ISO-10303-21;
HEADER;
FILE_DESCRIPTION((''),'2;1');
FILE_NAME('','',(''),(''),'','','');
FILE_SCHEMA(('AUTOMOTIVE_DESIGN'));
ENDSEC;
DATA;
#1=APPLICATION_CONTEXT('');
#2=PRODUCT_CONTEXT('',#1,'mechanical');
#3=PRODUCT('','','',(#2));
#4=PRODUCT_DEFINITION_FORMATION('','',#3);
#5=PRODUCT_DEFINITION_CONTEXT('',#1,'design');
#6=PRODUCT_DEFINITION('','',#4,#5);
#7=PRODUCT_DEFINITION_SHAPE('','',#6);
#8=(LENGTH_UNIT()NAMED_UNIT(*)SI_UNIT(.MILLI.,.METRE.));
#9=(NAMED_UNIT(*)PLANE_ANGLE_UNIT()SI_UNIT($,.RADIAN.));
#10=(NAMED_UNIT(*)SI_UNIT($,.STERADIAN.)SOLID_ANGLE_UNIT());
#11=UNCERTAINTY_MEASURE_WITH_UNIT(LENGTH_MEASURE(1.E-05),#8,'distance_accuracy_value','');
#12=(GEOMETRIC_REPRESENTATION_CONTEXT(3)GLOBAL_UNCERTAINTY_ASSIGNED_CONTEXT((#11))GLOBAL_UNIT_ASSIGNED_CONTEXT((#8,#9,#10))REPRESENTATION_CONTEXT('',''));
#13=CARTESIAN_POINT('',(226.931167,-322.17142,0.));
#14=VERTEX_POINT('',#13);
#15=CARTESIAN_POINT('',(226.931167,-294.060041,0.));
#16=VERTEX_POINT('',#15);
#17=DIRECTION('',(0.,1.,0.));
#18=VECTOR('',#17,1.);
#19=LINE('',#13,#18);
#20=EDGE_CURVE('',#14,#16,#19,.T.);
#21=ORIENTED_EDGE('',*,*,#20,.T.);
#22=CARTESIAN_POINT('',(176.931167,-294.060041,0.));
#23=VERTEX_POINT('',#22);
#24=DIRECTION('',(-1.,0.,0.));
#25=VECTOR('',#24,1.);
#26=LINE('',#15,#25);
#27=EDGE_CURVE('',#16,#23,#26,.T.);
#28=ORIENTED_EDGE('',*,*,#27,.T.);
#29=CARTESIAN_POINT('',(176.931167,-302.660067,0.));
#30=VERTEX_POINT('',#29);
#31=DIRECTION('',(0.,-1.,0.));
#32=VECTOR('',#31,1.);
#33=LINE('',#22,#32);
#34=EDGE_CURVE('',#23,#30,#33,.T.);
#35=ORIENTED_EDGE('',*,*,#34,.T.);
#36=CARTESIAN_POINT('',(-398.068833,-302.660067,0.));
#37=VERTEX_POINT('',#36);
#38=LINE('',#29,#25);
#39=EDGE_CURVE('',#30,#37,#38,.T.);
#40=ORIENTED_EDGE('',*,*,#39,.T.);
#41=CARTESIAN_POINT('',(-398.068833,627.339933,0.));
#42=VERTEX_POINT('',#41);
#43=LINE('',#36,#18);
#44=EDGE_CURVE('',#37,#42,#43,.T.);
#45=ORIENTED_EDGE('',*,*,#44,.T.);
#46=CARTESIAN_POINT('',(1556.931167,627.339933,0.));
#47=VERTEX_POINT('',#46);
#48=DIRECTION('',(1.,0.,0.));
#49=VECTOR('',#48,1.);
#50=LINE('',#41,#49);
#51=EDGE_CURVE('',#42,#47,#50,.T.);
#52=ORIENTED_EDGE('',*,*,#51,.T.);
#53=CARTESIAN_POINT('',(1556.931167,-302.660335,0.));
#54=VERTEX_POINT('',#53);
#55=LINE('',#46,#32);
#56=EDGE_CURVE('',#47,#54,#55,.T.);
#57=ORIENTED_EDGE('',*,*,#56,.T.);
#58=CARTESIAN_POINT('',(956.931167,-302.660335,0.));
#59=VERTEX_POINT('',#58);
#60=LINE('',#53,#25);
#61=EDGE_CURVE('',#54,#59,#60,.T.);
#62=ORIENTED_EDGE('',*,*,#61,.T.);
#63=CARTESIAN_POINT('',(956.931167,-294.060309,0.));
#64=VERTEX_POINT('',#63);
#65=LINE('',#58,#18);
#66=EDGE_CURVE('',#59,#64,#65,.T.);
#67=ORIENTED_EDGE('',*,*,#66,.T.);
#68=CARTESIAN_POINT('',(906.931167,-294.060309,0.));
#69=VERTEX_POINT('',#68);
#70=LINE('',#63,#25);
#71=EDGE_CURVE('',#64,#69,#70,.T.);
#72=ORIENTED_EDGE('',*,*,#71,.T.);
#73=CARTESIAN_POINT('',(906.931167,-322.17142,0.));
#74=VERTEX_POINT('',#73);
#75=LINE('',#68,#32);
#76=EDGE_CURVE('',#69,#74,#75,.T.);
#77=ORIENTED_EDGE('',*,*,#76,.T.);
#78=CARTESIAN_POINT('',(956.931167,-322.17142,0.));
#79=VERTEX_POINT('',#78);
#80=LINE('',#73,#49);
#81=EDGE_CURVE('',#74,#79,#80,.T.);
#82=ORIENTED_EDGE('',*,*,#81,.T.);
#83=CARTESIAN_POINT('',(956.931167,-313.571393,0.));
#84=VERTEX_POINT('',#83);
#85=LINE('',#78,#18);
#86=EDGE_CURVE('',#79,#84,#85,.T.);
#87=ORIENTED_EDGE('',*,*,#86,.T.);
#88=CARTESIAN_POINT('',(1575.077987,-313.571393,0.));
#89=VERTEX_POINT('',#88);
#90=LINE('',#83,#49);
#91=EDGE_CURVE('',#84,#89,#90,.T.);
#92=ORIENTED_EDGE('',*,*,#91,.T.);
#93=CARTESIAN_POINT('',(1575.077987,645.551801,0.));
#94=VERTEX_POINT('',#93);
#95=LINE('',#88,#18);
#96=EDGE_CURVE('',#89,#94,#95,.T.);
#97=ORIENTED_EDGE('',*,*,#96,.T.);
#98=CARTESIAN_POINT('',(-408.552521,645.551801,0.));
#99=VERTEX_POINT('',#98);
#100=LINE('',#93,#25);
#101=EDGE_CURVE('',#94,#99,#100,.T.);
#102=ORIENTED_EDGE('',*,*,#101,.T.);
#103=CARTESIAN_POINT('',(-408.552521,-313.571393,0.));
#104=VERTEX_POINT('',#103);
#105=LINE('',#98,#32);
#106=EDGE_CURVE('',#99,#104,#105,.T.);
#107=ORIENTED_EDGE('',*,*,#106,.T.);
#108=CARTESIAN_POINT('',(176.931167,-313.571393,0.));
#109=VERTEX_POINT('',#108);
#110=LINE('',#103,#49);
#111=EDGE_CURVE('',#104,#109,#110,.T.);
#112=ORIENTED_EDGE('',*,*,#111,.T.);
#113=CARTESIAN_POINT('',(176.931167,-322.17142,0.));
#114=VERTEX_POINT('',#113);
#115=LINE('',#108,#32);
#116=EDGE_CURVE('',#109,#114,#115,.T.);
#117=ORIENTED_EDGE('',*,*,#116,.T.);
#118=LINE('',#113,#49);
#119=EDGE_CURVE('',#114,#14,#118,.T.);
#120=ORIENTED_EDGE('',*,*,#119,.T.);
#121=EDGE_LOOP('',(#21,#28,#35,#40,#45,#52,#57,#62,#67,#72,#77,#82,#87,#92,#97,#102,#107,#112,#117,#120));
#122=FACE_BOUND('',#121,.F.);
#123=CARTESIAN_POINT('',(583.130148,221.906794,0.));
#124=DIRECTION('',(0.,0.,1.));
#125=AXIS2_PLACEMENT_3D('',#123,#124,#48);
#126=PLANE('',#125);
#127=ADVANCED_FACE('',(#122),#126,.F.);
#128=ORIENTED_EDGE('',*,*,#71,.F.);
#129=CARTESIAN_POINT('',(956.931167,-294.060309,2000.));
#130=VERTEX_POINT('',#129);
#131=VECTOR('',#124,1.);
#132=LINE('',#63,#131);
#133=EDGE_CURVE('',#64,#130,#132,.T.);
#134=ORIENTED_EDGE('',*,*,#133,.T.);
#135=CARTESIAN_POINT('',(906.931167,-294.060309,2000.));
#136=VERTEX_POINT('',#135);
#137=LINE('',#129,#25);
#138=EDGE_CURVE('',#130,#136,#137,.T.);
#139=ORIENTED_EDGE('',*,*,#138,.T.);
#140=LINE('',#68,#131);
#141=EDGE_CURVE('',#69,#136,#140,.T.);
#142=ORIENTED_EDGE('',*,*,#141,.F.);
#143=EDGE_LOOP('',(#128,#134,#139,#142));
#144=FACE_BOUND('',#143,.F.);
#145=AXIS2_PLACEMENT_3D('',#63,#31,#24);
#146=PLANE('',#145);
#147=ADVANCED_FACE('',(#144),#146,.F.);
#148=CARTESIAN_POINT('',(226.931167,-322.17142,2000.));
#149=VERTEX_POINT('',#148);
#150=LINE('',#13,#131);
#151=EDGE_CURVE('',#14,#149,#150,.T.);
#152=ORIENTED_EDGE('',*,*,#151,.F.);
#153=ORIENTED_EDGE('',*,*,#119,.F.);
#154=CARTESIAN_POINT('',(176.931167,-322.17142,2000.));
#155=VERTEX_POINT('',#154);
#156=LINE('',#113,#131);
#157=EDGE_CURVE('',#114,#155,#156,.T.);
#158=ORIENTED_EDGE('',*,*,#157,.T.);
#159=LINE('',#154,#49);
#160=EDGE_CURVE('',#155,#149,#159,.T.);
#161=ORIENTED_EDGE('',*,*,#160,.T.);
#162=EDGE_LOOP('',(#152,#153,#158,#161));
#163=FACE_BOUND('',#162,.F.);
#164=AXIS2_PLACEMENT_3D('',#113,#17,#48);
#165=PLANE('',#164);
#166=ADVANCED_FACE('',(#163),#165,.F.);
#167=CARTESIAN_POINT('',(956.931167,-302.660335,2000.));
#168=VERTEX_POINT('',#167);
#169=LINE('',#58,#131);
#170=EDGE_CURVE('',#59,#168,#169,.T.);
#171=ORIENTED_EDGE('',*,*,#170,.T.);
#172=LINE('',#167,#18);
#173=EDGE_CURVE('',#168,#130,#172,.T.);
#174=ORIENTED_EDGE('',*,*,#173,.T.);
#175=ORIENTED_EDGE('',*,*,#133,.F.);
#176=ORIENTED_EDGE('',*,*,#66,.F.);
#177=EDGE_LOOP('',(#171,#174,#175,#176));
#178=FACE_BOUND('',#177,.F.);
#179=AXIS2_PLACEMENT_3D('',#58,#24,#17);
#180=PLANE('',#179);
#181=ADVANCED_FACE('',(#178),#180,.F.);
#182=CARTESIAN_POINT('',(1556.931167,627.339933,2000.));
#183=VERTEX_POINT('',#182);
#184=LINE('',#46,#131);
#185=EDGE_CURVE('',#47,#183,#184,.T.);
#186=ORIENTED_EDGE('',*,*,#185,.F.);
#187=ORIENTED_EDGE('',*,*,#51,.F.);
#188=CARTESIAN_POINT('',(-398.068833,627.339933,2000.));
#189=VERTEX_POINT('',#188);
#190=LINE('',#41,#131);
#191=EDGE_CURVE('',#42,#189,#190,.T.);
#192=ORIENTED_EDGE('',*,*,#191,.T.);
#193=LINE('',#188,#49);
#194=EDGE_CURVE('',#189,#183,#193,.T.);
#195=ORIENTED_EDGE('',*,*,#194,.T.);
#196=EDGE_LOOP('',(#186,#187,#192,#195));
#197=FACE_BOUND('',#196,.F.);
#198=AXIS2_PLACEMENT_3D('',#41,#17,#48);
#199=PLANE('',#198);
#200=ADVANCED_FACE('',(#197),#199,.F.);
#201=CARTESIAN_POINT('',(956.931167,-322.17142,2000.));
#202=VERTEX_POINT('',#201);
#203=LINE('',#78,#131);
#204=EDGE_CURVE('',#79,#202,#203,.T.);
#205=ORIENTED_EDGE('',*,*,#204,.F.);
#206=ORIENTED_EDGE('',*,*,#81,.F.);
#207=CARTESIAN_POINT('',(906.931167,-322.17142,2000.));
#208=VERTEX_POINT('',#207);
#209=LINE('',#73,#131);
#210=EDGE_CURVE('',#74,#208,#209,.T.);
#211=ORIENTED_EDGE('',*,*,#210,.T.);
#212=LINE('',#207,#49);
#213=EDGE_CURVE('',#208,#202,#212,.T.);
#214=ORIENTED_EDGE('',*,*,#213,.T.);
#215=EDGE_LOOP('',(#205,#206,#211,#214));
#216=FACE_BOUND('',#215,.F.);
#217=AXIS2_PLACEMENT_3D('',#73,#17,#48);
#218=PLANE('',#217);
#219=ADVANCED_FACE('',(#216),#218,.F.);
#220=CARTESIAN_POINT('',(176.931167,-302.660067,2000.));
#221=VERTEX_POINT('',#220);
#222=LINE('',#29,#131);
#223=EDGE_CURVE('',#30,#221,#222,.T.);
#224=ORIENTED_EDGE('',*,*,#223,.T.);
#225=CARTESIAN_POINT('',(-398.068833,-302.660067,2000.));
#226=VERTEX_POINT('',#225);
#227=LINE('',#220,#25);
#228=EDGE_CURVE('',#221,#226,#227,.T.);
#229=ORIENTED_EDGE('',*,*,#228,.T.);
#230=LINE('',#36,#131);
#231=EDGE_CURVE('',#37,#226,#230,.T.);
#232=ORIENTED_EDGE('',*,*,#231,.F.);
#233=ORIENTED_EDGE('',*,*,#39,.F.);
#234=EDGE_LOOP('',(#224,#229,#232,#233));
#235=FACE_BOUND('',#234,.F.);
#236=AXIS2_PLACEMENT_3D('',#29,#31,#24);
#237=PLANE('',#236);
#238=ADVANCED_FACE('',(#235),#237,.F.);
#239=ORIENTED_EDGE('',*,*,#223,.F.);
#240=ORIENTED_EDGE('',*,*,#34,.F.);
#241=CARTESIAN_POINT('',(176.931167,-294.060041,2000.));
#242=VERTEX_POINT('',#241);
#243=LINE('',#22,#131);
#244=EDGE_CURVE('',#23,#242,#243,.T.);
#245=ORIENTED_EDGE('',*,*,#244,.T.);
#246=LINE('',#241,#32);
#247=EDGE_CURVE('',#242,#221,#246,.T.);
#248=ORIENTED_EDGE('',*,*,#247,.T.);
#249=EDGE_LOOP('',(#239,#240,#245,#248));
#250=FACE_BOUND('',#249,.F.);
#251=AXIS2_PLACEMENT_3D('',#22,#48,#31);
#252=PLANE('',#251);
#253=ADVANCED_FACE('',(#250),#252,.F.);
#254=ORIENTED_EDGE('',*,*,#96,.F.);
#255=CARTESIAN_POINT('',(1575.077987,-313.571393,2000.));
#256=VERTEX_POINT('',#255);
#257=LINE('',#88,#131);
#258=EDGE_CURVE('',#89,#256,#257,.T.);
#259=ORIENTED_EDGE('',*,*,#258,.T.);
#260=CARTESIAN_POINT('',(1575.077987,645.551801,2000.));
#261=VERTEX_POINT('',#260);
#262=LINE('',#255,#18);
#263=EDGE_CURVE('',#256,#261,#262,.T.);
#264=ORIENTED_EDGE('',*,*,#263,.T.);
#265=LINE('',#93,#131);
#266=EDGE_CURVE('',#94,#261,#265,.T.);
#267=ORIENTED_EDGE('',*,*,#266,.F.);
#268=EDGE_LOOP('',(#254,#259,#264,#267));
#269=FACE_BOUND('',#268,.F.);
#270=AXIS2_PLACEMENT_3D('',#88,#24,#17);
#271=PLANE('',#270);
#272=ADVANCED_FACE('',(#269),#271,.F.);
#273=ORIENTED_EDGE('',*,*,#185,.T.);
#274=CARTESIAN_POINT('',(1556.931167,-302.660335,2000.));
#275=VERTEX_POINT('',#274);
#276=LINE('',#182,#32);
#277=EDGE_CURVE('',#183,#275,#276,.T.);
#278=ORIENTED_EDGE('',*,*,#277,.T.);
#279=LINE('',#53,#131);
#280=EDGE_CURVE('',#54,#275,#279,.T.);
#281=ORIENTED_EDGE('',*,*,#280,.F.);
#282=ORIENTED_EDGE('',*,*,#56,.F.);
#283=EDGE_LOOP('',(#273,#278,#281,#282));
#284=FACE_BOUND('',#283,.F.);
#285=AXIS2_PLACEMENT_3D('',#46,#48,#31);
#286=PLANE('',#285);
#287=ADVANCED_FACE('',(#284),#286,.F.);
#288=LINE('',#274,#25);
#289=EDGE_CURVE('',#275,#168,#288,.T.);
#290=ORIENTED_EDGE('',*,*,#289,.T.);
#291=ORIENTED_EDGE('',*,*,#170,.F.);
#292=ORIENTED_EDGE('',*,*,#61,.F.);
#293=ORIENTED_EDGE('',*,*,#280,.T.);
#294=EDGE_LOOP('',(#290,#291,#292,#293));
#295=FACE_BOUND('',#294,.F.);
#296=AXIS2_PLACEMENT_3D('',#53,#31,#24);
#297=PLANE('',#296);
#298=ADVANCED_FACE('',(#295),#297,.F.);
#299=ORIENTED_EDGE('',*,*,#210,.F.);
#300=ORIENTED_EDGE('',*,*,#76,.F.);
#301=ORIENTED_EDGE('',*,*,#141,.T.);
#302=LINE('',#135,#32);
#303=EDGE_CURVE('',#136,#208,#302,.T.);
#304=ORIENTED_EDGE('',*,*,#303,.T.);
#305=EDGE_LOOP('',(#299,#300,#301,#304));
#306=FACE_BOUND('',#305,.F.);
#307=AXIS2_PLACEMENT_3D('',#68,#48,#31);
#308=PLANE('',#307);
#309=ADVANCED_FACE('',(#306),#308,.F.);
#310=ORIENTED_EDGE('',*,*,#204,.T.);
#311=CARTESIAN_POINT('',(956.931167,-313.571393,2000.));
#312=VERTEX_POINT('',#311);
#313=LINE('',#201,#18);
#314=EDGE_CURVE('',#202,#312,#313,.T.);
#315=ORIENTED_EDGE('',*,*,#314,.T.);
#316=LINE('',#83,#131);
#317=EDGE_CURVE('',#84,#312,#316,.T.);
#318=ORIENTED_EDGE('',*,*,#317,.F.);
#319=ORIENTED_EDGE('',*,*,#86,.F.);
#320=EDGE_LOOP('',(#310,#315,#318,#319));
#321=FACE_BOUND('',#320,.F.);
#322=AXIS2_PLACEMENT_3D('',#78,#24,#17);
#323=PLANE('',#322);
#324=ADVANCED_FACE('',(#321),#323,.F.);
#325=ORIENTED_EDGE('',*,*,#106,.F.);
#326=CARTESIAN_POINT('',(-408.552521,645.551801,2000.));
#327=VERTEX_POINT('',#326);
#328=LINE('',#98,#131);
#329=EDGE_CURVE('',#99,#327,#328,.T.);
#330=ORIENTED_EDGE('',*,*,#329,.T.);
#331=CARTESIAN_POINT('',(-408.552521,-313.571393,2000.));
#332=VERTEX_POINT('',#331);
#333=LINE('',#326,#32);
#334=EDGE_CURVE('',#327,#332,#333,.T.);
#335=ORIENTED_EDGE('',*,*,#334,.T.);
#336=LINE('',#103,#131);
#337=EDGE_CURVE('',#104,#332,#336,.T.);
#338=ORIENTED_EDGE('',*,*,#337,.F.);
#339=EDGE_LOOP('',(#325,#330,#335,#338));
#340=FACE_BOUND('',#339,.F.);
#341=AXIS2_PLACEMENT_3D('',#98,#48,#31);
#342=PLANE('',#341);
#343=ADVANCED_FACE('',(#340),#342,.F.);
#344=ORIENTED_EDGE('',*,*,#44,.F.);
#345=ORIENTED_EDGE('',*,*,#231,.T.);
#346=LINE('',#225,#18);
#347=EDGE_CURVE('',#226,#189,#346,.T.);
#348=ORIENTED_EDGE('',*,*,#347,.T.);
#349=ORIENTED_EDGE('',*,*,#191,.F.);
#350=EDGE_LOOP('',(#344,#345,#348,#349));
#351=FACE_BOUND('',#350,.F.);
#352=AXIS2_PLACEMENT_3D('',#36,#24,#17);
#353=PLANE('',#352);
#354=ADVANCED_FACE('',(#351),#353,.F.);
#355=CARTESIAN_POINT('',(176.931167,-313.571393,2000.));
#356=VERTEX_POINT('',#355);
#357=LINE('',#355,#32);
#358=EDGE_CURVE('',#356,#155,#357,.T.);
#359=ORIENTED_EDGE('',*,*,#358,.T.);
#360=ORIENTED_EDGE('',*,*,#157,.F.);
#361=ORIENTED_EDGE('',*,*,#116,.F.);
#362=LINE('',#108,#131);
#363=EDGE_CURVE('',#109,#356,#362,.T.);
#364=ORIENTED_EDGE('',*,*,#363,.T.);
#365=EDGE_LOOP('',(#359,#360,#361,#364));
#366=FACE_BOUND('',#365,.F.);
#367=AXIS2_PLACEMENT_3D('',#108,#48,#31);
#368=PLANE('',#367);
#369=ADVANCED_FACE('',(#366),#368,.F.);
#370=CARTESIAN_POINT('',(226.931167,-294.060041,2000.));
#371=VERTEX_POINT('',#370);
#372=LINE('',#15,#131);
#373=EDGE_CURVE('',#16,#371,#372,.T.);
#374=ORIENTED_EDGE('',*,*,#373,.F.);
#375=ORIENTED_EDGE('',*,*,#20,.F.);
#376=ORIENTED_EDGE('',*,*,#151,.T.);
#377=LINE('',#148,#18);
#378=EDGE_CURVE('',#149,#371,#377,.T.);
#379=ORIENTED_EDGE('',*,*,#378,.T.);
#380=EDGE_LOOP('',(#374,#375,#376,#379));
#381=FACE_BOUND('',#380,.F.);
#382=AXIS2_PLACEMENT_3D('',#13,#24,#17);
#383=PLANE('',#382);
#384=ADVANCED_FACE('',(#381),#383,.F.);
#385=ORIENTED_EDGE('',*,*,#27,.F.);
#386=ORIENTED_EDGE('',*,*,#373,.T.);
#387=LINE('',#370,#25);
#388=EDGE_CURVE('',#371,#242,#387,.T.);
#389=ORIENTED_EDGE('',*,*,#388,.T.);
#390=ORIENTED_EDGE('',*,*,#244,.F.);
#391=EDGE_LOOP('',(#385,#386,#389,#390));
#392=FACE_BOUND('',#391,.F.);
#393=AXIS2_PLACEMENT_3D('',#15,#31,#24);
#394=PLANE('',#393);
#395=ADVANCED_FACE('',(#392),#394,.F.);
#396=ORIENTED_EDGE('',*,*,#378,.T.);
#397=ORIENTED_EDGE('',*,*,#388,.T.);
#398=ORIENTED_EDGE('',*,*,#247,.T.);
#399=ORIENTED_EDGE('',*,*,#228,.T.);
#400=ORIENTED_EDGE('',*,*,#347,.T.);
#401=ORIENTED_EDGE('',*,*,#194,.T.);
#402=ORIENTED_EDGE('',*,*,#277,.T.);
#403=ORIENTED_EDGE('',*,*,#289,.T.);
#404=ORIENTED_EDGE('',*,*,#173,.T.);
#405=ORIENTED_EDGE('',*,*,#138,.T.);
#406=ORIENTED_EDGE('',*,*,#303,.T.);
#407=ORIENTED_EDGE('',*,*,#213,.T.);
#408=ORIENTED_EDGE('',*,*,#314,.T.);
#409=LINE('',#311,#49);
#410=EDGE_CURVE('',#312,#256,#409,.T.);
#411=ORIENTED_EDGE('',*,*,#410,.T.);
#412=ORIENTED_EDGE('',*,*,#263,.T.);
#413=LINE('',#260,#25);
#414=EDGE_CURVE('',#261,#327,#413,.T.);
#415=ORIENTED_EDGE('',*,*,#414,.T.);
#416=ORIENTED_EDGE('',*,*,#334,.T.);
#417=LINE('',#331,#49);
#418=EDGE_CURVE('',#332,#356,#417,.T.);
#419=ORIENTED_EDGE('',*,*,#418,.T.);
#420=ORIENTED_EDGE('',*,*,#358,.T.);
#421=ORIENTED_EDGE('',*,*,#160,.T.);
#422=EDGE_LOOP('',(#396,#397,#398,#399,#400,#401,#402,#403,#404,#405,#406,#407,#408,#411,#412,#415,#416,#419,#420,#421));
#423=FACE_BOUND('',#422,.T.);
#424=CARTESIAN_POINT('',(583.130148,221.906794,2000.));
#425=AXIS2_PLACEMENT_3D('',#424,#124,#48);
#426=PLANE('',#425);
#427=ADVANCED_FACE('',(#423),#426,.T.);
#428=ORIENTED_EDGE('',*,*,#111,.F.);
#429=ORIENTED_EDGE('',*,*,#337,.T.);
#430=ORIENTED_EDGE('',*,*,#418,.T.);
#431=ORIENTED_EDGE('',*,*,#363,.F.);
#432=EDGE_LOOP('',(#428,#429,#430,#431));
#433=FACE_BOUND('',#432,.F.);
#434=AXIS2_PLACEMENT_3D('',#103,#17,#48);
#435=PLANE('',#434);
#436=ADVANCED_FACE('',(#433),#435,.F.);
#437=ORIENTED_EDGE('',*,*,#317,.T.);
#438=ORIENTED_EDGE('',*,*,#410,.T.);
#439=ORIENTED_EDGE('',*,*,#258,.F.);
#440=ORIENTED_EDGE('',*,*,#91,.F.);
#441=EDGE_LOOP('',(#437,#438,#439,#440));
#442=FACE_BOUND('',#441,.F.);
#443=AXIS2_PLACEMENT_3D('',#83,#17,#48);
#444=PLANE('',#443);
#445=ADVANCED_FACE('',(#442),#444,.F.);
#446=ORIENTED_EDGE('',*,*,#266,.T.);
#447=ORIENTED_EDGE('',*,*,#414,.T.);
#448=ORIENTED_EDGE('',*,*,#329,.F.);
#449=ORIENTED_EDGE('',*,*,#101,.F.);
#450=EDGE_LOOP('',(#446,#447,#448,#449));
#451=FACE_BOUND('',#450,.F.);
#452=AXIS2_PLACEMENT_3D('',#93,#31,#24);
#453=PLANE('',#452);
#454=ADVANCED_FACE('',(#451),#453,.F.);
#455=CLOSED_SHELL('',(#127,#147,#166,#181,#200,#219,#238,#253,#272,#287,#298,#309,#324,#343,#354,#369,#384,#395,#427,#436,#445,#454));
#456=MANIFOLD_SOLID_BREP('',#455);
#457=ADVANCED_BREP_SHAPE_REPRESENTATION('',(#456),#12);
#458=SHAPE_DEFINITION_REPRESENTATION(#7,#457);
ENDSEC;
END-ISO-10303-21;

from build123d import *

# Parameters (mm, degrees)
F1_DEPTH = 2000


with BuildPart() as f1:
    # F0 (on Top) → F1 (new body)
    with BuildSketch(Plane.XY):
        Polygon((176.931167, -302.660067), (-398.068833, -302.660067), (-398.068833, 627.339933), (1556.931167, 627.339933), (1556.931167, -302.660335), (956.931167, -302.660335), (956.931167, -294.060309), (906.931167, -294.060309), (906.931167, -322.17142), (956.931167, -322.17142), (956.931167, -313.571393), (1575.077987, -313.571393), (1575.077987, 645.551801), (-408.552521, 645.551801), (-408.552521, -313.571393), (176.931167, -313.571393), (176.931167, -322.17142), (226.931167, -322.17142), (226.931167, -294.060041), (176.931167, -294.060041), align=None)
    extrude(amount=F1_DEPTH)


solid = f1.part
